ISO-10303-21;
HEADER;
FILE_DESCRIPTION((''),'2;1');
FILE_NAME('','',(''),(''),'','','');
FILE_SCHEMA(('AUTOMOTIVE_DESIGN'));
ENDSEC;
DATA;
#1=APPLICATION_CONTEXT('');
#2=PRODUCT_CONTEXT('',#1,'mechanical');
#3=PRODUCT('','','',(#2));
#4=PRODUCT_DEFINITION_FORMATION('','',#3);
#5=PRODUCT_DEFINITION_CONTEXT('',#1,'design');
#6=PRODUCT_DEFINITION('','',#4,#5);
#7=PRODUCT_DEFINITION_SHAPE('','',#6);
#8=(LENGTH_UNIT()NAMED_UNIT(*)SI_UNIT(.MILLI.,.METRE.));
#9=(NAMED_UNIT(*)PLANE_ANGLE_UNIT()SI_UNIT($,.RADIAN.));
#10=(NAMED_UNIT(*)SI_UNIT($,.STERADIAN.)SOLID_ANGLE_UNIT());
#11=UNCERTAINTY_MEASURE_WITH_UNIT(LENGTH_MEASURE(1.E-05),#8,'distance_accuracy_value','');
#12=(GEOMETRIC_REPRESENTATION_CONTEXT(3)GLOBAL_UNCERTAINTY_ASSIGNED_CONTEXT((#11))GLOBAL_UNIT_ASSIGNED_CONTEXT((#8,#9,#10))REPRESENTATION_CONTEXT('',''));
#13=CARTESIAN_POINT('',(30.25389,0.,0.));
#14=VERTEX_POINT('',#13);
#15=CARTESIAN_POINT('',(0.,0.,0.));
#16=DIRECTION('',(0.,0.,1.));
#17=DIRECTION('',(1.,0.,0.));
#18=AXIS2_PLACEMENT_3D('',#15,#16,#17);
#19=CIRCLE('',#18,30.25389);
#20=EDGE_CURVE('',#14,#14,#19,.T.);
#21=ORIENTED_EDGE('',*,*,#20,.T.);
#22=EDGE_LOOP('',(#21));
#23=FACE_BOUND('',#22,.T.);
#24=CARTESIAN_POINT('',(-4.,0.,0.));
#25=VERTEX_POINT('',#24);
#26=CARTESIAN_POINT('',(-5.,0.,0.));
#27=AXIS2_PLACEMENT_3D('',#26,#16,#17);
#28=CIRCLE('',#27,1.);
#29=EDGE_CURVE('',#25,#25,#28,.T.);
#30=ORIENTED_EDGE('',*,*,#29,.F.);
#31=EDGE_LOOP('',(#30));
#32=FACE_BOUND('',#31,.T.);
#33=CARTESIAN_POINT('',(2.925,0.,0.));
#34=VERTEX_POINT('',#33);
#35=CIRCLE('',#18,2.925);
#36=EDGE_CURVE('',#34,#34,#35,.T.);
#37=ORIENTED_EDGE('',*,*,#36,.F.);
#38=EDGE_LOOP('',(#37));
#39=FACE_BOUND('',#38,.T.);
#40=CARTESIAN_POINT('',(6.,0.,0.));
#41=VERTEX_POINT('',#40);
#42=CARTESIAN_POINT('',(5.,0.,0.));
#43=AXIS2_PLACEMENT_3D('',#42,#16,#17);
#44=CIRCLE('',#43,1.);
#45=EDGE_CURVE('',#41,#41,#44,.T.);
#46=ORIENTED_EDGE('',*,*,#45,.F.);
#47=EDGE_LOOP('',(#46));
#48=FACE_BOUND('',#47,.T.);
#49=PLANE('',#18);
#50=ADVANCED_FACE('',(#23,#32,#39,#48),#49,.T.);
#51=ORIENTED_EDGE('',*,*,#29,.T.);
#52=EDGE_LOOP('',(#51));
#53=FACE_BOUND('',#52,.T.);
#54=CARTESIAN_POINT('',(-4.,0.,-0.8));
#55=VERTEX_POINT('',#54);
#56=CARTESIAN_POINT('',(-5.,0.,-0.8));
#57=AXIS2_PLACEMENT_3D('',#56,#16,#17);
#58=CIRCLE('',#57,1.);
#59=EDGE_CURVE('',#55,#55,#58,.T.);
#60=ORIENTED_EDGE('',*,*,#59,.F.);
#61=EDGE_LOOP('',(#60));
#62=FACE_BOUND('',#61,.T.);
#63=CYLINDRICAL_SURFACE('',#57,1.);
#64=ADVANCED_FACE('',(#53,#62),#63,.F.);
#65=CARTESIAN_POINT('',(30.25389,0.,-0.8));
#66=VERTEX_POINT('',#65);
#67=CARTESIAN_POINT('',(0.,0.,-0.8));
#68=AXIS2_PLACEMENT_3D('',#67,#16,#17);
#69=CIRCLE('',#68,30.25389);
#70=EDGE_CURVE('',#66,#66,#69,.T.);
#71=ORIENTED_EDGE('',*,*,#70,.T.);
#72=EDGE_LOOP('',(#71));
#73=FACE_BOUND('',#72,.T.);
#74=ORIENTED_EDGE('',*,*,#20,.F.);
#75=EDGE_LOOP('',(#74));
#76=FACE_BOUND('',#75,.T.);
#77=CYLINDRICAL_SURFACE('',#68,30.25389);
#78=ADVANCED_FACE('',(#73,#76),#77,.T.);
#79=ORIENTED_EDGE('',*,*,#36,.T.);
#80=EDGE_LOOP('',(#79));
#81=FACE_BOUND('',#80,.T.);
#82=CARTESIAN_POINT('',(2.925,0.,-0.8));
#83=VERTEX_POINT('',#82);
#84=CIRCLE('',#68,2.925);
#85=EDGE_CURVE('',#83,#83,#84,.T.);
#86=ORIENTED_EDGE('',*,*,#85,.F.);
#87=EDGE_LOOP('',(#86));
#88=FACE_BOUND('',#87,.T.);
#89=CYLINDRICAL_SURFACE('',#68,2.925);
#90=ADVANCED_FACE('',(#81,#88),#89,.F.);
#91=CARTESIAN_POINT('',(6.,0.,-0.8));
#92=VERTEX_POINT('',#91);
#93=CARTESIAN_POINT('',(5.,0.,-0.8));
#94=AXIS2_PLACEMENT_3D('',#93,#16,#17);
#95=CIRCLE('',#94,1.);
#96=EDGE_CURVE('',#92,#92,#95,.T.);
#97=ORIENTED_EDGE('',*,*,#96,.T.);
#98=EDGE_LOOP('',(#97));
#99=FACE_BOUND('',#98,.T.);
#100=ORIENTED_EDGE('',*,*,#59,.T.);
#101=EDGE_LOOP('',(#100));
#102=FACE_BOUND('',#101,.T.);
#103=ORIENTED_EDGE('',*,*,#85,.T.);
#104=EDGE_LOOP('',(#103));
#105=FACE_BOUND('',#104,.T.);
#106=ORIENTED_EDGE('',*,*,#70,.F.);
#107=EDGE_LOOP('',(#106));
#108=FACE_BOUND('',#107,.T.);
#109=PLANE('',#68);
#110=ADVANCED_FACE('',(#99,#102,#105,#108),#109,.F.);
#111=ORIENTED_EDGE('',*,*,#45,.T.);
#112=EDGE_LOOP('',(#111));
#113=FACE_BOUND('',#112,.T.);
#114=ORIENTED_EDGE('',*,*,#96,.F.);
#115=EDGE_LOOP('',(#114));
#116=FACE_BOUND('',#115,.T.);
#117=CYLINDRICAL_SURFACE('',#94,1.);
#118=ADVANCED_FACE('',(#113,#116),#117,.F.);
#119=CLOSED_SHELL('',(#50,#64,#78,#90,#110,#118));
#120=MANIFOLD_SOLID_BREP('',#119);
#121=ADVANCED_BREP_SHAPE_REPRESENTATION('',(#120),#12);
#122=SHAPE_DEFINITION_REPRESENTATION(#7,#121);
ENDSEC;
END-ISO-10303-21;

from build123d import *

# Parameters (mm, degrees)
ESQUISSE1_R        = 30.253889757
ESQUISSE1_R_2      = 1
ESQUISSE1_R_3      = 2.925
BOSS_EXTRU_1_DEPTH = 0.8


with BuildPart() as part:
    # Esquisse1 → Boss.-Extru.1 (new body)
    with BuildSketch(Plane.XY):
        Circle(ESQUISSE1_R)
        with Locations((5, 0)):
            Circle(ESQUISSE1_R_2, mode=Mode.SUBTRACT)
        Circle(ESQUISSE1_R_3, mode=Mode.SUBTRACT)
        with Locations((-5, 0)):
            Circle(ESQUISSE1_R_2, mode=Mode.SUBTRACT)
    extrude(amount=-BOSS_EXTRU_1_DEPTH)


solid = part.part
